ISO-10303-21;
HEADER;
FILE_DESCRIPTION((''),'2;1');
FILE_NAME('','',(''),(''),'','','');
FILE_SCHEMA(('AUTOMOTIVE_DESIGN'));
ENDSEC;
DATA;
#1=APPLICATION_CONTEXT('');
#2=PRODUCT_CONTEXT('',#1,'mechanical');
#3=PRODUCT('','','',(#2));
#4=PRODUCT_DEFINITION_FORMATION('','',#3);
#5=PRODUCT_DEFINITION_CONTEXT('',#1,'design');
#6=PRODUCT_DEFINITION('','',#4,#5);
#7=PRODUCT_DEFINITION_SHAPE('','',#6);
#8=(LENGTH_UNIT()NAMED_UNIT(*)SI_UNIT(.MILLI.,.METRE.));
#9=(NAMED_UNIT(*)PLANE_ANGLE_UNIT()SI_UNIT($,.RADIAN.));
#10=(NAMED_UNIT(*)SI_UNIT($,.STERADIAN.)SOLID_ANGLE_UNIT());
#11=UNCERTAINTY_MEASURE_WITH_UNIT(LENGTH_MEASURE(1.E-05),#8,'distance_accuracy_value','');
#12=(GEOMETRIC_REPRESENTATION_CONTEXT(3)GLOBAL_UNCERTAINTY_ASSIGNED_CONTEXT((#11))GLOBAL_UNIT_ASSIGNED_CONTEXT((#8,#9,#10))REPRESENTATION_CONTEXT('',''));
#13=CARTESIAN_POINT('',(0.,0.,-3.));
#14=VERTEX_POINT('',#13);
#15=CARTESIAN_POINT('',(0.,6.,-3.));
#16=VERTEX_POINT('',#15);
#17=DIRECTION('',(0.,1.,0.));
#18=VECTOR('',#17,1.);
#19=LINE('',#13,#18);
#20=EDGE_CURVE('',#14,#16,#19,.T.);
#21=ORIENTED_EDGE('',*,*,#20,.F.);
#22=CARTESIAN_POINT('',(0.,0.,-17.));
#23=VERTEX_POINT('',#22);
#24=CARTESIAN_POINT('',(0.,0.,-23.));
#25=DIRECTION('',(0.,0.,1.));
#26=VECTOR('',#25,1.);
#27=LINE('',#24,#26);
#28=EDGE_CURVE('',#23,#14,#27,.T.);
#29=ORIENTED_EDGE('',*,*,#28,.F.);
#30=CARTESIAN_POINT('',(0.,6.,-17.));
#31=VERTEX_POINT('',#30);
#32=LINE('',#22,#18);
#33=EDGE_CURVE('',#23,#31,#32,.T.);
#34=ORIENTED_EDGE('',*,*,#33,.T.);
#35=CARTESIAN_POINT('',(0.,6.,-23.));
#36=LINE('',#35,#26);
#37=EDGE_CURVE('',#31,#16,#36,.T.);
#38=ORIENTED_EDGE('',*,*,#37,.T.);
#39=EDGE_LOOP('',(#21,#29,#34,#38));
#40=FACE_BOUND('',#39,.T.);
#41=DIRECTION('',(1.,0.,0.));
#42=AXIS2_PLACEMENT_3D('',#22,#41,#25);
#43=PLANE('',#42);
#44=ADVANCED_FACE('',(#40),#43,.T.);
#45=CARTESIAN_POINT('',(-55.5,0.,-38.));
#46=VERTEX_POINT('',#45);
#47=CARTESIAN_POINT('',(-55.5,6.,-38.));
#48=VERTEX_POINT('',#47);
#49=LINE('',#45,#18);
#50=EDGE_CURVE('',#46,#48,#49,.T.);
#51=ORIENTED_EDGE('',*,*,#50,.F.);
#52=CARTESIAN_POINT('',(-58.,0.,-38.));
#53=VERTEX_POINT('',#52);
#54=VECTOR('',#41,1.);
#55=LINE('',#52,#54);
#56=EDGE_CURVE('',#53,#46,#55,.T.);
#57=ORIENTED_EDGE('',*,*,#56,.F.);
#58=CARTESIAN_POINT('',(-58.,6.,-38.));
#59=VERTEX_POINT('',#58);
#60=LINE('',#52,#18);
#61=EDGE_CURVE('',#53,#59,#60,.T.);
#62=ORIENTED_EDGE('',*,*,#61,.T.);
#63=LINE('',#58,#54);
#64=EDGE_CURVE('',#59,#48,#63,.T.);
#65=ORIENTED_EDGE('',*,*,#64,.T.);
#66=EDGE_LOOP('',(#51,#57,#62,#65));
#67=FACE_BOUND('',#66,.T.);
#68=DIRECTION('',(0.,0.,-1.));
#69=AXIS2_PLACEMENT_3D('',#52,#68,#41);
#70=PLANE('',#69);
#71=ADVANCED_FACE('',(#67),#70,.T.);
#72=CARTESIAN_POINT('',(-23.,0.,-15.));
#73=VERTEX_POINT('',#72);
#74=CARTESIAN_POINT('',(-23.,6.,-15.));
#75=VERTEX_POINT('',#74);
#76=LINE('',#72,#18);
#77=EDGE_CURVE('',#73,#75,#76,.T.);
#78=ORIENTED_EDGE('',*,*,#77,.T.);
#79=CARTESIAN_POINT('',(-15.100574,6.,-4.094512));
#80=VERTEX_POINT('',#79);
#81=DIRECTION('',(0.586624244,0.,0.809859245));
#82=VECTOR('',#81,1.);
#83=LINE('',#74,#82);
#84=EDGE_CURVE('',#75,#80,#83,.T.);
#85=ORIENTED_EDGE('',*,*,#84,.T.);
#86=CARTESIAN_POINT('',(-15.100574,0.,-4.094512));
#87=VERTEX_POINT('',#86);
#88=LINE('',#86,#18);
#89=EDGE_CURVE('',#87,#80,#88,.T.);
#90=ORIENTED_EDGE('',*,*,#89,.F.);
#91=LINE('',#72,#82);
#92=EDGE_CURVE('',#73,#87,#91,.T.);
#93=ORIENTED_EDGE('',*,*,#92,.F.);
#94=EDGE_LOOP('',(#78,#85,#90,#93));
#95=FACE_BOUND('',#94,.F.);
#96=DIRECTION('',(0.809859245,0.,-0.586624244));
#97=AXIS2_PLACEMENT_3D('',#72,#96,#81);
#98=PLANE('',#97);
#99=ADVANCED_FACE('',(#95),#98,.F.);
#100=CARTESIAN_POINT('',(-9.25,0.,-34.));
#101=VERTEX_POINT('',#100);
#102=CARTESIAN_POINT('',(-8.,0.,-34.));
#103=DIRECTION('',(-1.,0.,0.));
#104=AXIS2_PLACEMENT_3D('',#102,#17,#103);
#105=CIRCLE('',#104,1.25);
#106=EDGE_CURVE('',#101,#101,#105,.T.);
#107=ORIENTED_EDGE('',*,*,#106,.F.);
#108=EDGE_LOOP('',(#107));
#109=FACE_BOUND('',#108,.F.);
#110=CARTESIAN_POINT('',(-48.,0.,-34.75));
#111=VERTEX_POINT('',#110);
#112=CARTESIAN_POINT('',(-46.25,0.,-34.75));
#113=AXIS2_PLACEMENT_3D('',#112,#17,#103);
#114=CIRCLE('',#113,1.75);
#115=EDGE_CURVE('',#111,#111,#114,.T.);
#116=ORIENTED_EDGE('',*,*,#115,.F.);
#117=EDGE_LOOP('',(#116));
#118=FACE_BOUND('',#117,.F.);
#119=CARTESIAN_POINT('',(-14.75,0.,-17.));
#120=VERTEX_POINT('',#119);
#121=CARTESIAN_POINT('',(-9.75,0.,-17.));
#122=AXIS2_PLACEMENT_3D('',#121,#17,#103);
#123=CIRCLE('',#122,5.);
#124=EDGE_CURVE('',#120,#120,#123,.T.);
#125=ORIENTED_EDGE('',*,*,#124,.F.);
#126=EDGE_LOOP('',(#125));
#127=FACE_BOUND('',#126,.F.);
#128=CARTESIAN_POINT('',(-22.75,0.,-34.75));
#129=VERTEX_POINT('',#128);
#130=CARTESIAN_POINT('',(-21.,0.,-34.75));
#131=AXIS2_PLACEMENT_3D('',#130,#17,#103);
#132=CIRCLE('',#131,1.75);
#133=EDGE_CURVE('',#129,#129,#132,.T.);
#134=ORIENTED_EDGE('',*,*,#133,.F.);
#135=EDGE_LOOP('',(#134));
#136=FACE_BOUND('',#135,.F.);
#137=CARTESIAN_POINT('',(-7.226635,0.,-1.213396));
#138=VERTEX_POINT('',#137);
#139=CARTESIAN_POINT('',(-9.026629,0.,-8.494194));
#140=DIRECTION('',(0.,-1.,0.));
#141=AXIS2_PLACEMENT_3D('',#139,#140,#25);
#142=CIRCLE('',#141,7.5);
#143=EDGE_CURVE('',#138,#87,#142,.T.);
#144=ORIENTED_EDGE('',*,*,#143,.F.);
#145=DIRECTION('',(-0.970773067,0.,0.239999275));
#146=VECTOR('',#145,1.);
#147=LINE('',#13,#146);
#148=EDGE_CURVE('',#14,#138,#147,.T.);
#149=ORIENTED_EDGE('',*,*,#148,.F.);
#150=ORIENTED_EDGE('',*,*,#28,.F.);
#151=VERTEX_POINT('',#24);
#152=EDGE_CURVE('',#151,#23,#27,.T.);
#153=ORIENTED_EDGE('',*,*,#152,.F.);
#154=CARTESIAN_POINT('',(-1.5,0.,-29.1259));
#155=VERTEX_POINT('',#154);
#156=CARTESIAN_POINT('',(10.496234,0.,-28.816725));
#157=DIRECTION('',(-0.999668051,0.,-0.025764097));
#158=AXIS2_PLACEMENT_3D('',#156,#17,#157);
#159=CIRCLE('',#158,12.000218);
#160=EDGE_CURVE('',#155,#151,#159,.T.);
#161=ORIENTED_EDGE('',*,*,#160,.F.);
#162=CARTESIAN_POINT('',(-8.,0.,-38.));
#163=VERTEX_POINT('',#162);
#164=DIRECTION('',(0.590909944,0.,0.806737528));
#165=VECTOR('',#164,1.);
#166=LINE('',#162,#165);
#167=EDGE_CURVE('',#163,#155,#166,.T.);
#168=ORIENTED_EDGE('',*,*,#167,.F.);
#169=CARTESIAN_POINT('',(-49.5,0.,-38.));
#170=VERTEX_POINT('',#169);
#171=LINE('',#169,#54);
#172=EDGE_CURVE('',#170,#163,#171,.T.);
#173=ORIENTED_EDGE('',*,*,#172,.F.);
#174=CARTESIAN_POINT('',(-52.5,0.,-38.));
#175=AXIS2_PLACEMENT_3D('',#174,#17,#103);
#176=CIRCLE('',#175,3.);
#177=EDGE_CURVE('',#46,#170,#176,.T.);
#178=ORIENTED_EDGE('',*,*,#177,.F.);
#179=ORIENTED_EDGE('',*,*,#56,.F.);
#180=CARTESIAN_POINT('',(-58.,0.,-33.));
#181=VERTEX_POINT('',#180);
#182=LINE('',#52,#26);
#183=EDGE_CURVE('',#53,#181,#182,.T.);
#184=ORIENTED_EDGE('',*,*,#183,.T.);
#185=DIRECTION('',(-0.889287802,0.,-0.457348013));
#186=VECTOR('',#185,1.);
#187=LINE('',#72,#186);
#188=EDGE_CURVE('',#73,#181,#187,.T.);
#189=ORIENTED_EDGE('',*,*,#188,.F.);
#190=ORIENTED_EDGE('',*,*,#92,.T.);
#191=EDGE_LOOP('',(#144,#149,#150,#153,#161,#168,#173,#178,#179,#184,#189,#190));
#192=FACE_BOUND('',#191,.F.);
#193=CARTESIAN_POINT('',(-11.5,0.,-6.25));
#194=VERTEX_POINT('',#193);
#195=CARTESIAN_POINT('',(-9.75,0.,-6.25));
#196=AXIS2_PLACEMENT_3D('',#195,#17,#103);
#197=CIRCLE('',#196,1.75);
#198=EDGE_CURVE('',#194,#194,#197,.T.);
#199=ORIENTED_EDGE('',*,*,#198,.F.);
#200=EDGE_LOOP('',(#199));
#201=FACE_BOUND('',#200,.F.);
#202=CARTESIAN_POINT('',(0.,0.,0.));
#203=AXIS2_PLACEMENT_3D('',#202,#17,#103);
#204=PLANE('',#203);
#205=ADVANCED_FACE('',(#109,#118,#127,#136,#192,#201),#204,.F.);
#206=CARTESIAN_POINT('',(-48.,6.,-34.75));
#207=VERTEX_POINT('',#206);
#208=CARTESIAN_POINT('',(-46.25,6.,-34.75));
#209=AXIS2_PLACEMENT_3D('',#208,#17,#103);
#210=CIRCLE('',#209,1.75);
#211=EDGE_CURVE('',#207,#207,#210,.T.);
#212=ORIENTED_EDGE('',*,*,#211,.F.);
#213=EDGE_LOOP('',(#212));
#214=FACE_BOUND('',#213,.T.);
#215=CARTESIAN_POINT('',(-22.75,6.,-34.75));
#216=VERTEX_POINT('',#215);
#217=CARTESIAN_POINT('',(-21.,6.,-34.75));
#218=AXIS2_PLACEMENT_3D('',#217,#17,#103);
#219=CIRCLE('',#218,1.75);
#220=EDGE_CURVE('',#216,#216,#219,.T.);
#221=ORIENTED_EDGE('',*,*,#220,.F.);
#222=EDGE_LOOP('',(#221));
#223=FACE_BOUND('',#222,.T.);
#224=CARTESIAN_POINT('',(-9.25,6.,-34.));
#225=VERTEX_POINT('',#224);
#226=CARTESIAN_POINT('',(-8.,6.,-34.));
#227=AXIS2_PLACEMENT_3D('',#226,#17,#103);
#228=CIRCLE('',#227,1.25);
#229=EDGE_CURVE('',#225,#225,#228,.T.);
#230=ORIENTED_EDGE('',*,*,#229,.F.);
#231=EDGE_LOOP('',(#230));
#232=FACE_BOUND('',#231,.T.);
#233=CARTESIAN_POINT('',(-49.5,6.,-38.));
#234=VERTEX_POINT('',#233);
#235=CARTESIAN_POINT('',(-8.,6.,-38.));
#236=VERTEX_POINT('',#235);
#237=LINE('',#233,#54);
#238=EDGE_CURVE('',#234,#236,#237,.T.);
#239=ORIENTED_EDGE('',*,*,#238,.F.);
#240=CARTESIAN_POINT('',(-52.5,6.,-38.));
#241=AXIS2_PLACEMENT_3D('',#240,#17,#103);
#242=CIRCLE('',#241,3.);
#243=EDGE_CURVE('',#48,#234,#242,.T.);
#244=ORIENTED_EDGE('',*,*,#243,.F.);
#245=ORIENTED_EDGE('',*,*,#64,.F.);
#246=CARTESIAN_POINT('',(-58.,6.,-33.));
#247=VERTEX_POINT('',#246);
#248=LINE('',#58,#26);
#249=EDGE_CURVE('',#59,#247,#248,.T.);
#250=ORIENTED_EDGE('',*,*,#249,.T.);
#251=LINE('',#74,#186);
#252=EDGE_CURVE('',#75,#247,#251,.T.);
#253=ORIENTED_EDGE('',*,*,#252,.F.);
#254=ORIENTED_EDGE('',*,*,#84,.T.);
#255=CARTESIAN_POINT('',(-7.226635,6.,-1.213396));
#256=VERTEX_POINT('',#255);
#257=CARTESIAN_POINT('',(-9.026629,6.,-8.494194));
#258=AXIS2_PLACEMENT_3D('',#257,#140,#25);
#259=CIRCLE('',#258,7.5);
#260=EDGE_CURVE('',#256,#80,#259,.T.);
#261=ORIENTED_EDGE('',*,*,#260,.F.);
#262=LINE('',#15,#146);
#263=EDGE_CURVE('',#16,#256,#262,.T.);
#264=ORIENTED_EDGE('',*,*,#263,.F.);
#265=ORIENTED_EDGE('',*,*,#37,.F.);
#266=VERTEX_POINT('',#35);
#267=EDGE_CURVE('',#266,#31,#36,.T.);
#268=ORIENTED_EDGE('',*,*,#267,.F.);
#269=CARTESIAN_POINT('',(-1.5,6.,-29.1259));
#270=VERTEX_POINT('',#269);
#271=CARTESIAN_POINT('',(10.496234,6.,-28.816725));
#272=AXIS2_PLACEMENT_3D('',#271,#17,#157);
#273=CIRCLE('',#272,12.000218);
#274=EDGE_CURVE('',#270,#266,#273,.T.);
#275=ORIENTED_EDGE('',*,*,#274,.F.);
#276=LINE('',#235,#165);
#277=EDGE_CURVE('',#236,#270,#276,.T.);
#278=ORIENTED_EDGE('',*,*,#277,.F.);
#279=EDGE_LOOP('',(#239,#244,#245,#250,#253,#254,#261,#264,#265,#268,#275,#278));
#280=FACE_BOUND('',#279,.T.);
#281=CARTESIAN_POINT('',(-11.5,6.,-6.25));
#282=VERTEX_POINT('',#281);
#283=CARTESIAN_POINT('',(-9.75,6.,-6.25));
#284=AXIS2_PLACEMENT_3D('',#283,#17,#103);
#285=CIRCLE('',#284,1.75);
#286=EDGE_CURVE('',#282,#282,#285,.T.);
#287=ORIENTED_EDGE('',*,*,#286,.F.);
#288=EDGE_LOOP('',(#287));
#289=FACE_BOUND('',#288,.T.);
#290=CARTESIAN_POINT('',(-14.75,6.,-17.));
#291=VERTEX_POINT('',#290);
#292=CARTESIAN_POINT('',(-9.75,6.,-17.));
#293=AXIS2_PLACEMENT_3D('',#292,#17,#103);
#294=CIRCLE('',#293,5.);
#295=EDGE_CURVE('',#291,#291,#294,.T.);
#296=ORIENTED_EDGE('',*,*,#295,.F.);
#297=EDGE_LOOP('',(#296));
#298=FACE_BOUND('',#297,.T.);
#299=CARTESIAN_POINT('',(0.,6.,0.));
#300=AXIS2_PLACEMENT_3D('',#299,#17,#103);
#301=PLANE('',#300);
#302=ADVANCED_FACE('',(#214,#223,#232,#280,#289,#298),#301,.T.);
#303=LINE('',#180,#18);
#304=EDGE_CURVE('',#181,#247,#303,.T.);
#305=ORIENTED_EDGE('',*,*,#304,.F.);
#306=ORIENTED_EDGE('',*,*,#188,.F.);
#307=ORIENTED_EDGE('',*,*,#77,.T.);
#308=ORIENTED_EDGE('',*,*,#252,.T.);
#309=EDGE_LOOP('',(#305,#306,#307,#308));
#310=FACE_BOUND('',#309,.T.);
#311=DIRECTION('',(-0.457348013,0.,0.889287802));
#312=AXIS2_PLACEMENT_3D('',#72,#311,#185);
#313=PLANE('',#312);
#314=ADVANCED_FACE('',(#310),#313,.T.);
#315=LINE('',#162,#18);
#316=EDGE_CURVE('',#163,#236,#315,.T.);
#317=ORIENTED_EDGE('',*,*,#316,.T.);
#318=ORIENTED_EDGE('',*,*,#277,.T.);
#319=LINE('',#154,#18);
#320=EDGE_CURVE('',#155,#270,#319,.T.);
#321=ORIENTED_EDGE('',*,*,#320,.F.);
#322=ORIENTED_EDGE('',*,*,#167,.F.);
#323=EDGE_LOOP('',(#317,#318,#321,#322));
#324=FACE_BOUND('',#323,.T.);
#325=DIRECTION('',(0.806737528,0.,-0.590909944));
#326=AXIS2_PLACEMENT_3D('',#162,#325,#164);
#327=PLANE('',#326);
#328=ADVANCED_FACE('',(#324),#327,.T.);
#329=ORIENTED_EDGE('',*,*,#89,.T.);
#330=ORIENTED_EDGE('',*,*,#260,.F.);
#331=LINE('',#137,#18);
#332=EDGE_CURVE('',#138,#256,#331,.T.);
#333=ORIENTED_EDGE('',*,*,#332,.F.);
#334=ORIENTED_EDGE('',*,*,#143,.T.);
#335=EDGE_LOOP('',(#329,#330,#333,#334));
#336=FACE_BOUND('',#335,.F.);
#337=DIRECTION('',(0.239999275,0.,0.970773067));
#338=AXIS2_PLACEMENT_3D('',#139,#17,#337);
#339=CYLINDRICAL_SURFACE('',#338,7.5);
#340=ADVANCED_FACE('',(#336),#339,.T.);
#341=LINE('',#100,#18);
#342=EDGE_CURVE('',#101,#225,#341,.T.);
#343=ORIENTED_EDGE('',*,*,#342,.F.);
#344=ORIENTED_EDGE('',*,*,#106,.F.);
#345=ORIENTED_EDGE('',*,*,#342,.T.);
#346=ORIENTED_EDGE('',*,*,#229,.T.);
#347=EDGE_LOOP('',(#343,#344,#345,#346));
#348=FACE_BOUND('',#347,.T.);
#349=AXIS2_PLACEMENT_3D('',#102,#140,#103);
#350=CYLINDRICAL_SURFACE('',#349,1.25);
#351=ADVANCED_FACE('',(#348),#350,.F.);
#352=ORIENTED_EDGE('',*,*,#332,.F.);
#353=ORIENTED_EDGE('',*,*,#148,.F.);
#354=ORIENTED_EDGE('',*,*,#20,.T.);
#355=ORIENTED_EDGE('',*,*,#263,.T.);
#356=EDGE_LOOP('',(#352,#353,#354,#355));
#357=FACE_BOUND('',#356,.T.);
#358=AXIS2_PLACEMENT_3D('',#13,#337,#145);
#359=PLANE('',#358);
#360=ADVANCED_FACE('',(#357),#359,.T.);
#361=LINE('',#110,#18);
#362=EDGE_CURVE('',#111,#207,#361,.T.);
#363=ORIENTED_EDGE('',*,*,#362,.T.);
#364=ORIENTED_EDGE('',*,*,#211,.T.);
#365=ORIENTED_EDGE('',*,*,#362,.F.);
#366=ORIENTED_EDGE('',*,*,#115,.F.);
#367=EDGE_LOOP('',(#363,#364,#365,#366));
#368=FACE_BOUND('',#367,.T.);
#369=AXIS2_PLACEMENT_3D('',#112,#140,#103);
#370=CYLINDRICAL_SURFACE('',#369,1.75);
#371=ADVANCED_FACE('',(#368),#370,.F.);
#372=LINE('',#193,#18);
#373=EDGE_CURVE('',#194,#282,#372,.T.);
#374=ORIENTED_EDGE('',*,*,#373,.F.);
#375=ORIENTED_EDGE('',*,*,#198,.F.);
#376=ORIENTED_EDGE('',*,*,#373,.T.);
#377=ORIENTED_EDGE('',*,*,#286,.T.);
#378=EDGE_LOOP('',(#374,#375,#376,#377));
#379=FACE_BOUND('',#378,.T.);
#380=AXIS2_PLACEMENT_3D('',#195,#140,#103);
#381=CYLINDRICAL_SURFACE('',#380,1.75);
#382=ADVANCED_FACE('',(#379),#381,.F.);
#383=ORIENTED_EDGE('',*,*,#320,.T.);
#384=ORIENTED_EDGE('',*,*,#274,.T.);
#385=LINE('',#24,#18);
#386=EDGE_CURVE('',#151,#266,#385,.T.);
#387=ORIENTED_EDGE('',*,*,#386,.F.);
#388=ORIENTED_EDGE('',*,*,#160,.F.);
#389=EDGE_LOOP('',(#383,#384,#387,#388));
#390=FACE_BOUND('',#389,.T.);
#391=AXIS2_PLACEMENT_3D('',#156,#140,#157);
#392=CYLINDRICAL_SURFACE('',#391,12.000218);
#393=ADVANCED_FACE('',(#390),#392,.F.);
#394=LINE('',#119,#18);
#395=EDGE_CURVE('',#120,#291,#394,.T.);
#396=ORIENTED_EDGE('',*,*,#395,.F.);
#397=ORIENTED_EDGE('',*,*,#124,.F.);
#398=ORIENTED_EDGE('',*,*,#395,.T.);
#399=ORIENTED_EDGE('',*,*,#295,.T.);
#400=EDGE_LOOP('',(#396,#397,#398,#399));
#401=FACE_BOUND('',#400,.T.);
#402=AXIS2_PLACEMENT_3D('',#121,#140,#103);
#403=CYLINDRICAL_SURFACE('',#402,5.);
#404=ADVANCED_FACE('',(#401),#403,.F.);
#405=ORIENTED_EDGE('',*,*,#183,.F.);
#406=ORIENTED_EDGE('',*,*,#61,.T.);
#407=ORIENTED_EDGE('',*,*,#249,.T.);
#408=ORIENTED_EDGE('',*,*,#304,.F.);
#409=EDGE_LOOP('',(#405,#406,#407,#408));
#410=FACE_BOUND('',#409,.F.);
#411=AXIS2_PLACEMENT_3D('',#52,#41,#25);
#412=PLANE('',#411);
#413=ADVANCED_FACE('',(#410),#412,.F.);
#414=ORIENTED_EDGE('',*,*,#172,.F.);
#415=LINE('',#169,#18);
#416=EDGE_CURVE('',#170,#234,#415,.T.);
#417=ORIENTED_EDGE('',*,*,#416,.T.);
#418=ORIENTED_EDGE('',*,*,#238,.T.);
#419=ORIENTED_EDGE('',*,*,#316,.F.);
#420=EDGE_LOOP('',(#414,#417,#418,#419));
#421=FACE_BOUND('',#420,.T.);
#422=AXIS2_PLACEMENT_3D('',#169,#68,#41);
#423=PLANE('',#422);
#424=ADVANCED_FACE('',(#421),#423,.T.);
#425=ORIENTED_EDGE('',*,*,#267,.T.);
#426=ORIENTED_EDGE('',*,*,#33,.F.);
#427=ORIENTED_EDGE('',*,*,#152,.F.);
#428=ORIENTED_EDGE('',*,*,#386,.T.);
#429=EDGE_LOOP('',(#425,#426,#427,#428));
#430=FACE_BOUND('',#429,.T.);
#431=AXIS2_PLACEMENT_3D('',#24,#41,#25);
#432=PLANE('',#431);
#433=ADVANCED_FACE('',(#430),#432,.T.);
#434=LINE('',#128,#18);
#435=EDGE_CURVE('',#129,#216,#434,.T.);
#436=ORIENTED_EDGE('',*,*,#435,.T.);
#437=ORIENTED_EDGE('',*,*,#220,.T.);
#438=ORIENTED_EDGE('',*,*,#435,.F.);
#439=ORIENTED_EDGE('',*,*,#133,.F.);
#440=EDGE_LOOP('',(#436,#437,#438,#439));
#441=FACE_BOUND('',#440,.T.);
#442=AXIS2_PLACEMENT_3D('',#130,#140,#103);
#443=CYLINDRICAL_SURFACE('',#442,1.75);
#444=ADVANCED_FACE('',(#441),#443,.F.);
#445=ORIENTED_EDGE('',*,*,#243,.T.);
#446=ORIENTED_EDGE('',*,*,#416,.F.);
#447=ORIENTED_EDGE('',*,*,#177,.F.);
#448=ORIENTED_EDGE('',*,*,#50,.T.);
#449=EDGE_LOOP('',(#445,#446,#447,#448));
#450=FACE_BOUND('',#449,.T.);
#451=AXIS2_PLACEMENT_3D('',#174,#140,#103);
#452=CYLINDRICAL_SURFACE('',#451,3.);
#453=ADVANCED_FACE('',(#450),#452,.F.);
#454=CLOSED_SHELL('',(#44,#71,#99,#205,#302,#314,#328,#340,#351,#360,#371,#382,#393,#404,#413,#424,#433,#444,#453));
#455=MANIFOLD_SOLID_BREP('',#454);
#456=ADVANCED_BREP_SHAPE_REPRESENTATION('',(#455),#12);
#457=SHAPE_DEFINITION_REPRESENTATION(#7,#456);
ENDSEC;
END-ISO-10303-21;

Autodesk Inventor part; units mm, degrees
ref_plane "YZ Plane" through (0, 0, 0) normal (1, 0, 0) x (0, 1, 0)
ref_plane "XZ Plane" through (0, 0, 0) normal (0, 1, 0) x (-1, 0, 0)
ref_plane "XY Plane" through (0, 0, 0) normal (0, 0, 1) x (1, 0, 0)
sketch "Sketch1" plane through (0, 0, 0) normal (0, 1, 0) x (-1, 0, 0)
  line L0 (8, -38) -> (1.5, -29.1259)
  arc A0 (1.5, -29.1259) -> (0, -23) centre (-10.496, -28.8167) ccw
  line L1 (0, -23) -> (0, -3)
  line L2 (0, -3) -> (12.1347, 0)
  line L3 (58, -38) -> (58, -33)
  line L4 (23, -15) -> (58, -33)
  line L5 (23, -15) -> (12.1347, 0)
  circle A1 centre (9.75, -6.25) radius 1.75
  line L6 (0, 0) -> (0, -17)
  circle A2 centre (9.75, -17) radius 5
  circle A3 centre (8, -34) radius 1.25
  circle A4 centre (46.25, -34.75) radius 1.75
  circle A5 centre (21, -34.75) radius 1.75
  line L7 (58, -38) -> (55.5, -38)
  arc A6 (55.5, -38) -> (49.5, -38) centre (52.5, -38) ccw
  line L8 (58, -38) -> (55.5, -38)
  line L9 (49.5, -38) -> (8, -38)
  dimension "d2" = 50
  dimension "d6" = 11
  dimension "d7" = 12
  dimension "d8" = 20
  dimension "d15" = 3.5
  dimension "d16" = 17
  dimension "d17" = 10
  dimension "d23" = 2.5
  dimension "d26" = 3.5
  dimension "d28" = 2.5
  dimension "d30" = 3
extrude "Extrusion1" add sketch "Sketch1" along normal blind 6
fillet "Fillet1" radius 7.5 1 edges at (-12.1347, 3, 0)
properties part number "Claw_Finger"
